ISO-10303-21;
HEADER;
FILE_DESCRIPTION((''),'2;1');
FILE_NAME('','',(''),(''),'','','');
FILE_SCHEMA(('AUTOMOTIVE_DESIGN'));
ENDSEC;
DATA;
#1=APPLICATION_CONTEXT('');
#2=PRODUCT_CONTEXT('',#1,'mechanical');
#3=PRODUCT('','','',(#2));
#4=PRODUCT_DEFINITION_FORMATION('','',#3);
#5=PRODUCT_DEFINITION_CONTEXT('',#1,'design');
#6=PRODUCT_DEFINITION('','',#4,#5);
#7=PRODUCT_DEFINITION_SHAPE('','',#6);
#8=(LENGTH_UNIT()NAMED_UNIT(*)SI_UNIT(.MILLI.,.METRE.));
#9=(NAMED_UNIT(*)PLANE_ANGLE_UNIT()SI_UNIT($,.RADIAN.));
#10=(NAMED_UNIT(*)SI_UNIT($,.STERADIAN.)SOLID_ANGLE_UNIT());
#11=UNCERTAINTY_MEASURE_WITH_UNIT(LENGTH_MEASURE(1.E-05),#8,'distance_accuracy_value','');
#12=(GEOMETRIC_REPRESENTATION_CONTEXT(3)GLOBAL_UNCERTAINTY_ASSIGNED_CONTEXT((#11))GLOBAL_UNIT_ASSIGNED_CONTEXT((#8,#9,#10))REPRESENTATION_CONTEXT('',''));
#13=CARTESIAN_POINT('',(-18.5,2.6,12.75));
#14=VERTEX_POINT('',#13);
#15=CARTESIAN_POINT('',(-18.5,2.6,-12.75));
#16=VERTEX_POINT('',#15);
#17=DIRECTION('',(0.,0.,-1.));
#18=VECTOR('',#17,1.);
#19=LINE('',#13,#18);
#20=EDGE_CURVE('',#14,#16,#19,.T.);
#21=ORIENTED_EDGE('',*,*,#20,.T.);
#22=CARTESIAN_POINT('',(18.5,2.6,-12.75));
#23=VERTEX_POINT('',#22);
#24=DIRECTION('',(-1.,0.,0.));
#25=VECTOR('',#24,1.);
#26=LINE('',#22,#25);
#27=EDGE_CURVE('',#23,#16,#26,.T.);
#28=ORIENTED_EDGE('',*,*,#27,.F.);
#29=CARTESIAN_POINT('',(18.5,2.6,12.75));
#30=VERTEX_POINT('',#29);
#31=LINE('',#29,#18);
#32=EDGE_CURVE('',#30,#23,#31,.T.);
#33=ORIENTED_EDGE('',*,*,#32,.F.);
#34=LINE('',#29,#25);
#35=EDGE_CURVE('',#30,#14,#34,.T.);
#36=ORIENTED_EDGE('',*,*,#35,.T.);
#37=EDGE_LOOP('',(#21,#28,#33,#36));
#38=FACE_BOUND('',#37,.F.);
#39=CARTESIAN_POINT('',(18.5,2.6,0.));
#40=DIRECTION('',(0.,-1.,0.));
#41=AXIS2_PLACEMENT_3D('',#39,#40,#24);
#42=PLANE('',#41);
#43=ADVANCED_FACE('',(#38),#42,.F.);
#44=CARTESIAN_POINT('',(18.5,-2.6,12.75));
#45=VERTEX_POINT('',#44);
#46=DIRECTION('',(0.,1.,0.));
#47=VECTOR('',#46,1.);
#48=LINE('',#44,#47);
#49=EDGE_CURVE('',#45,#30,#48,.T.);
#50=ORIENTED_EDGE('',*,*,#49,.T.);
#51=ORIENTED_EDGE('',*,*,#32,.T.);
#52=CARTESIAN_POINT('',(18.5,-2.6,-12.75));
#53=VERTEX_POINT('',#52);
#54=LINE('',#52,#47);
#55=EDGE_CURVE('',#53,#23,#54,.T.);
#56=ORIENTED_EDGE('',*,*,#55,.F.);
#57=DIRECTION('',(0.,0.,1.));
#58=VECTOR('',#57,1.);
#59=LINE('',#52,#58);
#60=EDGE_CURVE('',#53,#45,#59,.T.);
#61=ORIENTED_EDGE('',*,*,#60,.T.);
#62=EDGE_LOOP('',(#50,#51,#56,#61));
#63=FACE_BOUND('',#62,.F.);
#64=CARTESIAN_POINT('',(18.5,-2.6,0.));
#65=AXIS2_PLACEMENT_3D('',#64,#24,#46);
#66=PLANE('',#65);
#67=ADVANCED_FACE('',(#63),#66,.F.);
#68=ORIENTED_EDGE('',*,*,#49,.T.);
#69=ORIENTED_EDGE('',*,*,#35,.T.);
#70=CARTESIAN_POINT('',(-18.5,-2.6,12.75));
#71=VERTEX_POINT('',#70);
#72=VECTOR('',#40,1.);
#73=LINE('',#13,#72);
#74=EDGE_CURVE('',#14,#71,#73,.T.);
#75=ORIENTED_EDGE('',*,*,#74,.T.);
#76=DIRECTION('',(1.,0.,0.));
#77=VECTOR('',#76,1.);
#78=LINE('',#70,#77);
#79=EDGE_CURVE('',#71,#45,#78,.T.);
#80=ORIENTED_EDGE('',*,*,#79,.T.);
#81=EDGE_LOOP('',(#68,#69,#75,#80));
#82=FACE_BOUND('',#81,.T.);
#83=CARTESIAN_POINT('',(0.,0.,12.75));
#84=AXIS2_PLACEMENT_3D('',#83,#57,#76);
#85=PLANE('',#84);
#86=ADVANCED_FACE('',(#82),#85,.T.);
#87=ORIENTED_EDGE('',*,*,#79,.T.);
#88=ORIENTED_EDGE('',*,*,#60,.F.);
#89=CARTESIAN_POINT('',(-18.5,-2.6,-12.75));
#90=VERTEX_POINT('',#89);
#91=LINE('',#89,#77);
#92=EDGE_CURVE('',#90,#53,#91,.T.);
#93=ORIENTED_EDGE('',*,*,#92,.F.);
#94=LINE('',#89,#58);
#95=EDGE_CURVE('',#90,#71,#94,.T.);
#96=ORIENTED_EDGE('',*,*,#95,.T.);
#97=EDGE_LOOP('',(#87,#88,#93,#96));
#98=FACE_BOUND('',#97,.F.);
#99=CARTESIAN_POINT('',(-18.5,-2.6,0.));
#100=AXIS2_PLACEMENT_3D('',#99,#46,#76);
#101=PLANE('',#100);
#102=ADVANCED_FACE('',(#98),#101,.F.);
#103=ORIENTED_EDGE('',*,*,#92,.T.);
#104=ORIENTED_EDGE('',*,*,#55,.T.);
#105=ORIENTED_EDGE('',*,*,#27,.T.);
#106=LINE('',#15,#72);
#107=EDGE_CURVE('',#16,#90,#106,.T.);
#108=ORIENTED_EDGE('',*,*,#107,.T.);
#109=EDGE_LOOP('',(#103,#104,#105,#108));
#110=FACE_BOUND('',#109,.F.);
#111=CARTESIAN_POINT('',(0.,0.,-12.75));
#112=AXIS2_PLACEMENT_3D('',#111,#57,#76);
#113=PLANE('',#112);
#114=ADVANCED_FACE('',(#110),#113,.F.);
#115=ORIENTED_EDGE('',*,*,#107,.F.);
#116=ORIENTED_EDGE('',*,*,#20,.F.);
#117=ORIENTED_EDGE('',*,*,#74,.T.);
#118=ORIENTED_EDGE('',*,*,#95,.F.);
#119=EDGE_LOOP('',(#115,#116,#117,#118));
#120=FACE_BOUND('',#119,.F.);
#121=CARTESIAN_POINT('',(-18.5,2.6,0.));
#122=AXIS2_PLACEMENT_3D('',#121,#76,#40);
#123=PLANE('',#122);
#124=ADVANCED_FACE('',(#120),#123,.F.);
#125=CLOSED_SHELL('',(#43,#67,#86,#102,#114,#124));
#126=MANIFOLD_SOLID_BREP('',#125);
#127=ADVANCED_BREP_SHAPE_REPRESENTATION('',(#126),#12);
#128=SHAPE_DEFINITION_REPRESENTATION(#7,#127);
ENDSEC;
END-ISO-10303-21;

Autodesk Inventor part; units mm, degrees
ref_plane "YZ Plane" through (0, 0, 0) normal (1, 0, 0) x (0, 1, 0)
ref_plane "XZ Plane" through (0, 0, 0) normal (0, 1, 0) x (-1, 0, 0)
ref_plane "XY Plane" through (0, 0, 0) normal (0, 0, 1) x (1, 0, 0)
sketch "Sketch1" plane through (0, 0, 0) normal (0, 0, 1) x (1, 0, 0)
  line L0 (-18.5, -2.6) -> (18.5, -2.6)
  line L1 (18.5, -2.6) -> (18.5, 2.6)
  line L2 (18.5, 2.6) -> (-18.5, 2.6)
  line L3 (-18.5, 2.6) -> (-18.5, -2.6)
  line L4 (-18.5, -2.6) -> (18.5, 2.6) construction
  line L5 (18.5, -2.6) -> (-18.5, 2.6) construction
  point P0 (0, 0)
  dimension "d0" = 37
  dimension "d1" = 5.2
extrude "Extrusion1" add sketch "Sketch1" along normal mid plane 25.5
sketch "Sketch3" plane through (0, 0, -12.75) normal (0, 0, -1) x (-1, 0, 0)
  point P0 (0, 0)
properties part number "Battery"
